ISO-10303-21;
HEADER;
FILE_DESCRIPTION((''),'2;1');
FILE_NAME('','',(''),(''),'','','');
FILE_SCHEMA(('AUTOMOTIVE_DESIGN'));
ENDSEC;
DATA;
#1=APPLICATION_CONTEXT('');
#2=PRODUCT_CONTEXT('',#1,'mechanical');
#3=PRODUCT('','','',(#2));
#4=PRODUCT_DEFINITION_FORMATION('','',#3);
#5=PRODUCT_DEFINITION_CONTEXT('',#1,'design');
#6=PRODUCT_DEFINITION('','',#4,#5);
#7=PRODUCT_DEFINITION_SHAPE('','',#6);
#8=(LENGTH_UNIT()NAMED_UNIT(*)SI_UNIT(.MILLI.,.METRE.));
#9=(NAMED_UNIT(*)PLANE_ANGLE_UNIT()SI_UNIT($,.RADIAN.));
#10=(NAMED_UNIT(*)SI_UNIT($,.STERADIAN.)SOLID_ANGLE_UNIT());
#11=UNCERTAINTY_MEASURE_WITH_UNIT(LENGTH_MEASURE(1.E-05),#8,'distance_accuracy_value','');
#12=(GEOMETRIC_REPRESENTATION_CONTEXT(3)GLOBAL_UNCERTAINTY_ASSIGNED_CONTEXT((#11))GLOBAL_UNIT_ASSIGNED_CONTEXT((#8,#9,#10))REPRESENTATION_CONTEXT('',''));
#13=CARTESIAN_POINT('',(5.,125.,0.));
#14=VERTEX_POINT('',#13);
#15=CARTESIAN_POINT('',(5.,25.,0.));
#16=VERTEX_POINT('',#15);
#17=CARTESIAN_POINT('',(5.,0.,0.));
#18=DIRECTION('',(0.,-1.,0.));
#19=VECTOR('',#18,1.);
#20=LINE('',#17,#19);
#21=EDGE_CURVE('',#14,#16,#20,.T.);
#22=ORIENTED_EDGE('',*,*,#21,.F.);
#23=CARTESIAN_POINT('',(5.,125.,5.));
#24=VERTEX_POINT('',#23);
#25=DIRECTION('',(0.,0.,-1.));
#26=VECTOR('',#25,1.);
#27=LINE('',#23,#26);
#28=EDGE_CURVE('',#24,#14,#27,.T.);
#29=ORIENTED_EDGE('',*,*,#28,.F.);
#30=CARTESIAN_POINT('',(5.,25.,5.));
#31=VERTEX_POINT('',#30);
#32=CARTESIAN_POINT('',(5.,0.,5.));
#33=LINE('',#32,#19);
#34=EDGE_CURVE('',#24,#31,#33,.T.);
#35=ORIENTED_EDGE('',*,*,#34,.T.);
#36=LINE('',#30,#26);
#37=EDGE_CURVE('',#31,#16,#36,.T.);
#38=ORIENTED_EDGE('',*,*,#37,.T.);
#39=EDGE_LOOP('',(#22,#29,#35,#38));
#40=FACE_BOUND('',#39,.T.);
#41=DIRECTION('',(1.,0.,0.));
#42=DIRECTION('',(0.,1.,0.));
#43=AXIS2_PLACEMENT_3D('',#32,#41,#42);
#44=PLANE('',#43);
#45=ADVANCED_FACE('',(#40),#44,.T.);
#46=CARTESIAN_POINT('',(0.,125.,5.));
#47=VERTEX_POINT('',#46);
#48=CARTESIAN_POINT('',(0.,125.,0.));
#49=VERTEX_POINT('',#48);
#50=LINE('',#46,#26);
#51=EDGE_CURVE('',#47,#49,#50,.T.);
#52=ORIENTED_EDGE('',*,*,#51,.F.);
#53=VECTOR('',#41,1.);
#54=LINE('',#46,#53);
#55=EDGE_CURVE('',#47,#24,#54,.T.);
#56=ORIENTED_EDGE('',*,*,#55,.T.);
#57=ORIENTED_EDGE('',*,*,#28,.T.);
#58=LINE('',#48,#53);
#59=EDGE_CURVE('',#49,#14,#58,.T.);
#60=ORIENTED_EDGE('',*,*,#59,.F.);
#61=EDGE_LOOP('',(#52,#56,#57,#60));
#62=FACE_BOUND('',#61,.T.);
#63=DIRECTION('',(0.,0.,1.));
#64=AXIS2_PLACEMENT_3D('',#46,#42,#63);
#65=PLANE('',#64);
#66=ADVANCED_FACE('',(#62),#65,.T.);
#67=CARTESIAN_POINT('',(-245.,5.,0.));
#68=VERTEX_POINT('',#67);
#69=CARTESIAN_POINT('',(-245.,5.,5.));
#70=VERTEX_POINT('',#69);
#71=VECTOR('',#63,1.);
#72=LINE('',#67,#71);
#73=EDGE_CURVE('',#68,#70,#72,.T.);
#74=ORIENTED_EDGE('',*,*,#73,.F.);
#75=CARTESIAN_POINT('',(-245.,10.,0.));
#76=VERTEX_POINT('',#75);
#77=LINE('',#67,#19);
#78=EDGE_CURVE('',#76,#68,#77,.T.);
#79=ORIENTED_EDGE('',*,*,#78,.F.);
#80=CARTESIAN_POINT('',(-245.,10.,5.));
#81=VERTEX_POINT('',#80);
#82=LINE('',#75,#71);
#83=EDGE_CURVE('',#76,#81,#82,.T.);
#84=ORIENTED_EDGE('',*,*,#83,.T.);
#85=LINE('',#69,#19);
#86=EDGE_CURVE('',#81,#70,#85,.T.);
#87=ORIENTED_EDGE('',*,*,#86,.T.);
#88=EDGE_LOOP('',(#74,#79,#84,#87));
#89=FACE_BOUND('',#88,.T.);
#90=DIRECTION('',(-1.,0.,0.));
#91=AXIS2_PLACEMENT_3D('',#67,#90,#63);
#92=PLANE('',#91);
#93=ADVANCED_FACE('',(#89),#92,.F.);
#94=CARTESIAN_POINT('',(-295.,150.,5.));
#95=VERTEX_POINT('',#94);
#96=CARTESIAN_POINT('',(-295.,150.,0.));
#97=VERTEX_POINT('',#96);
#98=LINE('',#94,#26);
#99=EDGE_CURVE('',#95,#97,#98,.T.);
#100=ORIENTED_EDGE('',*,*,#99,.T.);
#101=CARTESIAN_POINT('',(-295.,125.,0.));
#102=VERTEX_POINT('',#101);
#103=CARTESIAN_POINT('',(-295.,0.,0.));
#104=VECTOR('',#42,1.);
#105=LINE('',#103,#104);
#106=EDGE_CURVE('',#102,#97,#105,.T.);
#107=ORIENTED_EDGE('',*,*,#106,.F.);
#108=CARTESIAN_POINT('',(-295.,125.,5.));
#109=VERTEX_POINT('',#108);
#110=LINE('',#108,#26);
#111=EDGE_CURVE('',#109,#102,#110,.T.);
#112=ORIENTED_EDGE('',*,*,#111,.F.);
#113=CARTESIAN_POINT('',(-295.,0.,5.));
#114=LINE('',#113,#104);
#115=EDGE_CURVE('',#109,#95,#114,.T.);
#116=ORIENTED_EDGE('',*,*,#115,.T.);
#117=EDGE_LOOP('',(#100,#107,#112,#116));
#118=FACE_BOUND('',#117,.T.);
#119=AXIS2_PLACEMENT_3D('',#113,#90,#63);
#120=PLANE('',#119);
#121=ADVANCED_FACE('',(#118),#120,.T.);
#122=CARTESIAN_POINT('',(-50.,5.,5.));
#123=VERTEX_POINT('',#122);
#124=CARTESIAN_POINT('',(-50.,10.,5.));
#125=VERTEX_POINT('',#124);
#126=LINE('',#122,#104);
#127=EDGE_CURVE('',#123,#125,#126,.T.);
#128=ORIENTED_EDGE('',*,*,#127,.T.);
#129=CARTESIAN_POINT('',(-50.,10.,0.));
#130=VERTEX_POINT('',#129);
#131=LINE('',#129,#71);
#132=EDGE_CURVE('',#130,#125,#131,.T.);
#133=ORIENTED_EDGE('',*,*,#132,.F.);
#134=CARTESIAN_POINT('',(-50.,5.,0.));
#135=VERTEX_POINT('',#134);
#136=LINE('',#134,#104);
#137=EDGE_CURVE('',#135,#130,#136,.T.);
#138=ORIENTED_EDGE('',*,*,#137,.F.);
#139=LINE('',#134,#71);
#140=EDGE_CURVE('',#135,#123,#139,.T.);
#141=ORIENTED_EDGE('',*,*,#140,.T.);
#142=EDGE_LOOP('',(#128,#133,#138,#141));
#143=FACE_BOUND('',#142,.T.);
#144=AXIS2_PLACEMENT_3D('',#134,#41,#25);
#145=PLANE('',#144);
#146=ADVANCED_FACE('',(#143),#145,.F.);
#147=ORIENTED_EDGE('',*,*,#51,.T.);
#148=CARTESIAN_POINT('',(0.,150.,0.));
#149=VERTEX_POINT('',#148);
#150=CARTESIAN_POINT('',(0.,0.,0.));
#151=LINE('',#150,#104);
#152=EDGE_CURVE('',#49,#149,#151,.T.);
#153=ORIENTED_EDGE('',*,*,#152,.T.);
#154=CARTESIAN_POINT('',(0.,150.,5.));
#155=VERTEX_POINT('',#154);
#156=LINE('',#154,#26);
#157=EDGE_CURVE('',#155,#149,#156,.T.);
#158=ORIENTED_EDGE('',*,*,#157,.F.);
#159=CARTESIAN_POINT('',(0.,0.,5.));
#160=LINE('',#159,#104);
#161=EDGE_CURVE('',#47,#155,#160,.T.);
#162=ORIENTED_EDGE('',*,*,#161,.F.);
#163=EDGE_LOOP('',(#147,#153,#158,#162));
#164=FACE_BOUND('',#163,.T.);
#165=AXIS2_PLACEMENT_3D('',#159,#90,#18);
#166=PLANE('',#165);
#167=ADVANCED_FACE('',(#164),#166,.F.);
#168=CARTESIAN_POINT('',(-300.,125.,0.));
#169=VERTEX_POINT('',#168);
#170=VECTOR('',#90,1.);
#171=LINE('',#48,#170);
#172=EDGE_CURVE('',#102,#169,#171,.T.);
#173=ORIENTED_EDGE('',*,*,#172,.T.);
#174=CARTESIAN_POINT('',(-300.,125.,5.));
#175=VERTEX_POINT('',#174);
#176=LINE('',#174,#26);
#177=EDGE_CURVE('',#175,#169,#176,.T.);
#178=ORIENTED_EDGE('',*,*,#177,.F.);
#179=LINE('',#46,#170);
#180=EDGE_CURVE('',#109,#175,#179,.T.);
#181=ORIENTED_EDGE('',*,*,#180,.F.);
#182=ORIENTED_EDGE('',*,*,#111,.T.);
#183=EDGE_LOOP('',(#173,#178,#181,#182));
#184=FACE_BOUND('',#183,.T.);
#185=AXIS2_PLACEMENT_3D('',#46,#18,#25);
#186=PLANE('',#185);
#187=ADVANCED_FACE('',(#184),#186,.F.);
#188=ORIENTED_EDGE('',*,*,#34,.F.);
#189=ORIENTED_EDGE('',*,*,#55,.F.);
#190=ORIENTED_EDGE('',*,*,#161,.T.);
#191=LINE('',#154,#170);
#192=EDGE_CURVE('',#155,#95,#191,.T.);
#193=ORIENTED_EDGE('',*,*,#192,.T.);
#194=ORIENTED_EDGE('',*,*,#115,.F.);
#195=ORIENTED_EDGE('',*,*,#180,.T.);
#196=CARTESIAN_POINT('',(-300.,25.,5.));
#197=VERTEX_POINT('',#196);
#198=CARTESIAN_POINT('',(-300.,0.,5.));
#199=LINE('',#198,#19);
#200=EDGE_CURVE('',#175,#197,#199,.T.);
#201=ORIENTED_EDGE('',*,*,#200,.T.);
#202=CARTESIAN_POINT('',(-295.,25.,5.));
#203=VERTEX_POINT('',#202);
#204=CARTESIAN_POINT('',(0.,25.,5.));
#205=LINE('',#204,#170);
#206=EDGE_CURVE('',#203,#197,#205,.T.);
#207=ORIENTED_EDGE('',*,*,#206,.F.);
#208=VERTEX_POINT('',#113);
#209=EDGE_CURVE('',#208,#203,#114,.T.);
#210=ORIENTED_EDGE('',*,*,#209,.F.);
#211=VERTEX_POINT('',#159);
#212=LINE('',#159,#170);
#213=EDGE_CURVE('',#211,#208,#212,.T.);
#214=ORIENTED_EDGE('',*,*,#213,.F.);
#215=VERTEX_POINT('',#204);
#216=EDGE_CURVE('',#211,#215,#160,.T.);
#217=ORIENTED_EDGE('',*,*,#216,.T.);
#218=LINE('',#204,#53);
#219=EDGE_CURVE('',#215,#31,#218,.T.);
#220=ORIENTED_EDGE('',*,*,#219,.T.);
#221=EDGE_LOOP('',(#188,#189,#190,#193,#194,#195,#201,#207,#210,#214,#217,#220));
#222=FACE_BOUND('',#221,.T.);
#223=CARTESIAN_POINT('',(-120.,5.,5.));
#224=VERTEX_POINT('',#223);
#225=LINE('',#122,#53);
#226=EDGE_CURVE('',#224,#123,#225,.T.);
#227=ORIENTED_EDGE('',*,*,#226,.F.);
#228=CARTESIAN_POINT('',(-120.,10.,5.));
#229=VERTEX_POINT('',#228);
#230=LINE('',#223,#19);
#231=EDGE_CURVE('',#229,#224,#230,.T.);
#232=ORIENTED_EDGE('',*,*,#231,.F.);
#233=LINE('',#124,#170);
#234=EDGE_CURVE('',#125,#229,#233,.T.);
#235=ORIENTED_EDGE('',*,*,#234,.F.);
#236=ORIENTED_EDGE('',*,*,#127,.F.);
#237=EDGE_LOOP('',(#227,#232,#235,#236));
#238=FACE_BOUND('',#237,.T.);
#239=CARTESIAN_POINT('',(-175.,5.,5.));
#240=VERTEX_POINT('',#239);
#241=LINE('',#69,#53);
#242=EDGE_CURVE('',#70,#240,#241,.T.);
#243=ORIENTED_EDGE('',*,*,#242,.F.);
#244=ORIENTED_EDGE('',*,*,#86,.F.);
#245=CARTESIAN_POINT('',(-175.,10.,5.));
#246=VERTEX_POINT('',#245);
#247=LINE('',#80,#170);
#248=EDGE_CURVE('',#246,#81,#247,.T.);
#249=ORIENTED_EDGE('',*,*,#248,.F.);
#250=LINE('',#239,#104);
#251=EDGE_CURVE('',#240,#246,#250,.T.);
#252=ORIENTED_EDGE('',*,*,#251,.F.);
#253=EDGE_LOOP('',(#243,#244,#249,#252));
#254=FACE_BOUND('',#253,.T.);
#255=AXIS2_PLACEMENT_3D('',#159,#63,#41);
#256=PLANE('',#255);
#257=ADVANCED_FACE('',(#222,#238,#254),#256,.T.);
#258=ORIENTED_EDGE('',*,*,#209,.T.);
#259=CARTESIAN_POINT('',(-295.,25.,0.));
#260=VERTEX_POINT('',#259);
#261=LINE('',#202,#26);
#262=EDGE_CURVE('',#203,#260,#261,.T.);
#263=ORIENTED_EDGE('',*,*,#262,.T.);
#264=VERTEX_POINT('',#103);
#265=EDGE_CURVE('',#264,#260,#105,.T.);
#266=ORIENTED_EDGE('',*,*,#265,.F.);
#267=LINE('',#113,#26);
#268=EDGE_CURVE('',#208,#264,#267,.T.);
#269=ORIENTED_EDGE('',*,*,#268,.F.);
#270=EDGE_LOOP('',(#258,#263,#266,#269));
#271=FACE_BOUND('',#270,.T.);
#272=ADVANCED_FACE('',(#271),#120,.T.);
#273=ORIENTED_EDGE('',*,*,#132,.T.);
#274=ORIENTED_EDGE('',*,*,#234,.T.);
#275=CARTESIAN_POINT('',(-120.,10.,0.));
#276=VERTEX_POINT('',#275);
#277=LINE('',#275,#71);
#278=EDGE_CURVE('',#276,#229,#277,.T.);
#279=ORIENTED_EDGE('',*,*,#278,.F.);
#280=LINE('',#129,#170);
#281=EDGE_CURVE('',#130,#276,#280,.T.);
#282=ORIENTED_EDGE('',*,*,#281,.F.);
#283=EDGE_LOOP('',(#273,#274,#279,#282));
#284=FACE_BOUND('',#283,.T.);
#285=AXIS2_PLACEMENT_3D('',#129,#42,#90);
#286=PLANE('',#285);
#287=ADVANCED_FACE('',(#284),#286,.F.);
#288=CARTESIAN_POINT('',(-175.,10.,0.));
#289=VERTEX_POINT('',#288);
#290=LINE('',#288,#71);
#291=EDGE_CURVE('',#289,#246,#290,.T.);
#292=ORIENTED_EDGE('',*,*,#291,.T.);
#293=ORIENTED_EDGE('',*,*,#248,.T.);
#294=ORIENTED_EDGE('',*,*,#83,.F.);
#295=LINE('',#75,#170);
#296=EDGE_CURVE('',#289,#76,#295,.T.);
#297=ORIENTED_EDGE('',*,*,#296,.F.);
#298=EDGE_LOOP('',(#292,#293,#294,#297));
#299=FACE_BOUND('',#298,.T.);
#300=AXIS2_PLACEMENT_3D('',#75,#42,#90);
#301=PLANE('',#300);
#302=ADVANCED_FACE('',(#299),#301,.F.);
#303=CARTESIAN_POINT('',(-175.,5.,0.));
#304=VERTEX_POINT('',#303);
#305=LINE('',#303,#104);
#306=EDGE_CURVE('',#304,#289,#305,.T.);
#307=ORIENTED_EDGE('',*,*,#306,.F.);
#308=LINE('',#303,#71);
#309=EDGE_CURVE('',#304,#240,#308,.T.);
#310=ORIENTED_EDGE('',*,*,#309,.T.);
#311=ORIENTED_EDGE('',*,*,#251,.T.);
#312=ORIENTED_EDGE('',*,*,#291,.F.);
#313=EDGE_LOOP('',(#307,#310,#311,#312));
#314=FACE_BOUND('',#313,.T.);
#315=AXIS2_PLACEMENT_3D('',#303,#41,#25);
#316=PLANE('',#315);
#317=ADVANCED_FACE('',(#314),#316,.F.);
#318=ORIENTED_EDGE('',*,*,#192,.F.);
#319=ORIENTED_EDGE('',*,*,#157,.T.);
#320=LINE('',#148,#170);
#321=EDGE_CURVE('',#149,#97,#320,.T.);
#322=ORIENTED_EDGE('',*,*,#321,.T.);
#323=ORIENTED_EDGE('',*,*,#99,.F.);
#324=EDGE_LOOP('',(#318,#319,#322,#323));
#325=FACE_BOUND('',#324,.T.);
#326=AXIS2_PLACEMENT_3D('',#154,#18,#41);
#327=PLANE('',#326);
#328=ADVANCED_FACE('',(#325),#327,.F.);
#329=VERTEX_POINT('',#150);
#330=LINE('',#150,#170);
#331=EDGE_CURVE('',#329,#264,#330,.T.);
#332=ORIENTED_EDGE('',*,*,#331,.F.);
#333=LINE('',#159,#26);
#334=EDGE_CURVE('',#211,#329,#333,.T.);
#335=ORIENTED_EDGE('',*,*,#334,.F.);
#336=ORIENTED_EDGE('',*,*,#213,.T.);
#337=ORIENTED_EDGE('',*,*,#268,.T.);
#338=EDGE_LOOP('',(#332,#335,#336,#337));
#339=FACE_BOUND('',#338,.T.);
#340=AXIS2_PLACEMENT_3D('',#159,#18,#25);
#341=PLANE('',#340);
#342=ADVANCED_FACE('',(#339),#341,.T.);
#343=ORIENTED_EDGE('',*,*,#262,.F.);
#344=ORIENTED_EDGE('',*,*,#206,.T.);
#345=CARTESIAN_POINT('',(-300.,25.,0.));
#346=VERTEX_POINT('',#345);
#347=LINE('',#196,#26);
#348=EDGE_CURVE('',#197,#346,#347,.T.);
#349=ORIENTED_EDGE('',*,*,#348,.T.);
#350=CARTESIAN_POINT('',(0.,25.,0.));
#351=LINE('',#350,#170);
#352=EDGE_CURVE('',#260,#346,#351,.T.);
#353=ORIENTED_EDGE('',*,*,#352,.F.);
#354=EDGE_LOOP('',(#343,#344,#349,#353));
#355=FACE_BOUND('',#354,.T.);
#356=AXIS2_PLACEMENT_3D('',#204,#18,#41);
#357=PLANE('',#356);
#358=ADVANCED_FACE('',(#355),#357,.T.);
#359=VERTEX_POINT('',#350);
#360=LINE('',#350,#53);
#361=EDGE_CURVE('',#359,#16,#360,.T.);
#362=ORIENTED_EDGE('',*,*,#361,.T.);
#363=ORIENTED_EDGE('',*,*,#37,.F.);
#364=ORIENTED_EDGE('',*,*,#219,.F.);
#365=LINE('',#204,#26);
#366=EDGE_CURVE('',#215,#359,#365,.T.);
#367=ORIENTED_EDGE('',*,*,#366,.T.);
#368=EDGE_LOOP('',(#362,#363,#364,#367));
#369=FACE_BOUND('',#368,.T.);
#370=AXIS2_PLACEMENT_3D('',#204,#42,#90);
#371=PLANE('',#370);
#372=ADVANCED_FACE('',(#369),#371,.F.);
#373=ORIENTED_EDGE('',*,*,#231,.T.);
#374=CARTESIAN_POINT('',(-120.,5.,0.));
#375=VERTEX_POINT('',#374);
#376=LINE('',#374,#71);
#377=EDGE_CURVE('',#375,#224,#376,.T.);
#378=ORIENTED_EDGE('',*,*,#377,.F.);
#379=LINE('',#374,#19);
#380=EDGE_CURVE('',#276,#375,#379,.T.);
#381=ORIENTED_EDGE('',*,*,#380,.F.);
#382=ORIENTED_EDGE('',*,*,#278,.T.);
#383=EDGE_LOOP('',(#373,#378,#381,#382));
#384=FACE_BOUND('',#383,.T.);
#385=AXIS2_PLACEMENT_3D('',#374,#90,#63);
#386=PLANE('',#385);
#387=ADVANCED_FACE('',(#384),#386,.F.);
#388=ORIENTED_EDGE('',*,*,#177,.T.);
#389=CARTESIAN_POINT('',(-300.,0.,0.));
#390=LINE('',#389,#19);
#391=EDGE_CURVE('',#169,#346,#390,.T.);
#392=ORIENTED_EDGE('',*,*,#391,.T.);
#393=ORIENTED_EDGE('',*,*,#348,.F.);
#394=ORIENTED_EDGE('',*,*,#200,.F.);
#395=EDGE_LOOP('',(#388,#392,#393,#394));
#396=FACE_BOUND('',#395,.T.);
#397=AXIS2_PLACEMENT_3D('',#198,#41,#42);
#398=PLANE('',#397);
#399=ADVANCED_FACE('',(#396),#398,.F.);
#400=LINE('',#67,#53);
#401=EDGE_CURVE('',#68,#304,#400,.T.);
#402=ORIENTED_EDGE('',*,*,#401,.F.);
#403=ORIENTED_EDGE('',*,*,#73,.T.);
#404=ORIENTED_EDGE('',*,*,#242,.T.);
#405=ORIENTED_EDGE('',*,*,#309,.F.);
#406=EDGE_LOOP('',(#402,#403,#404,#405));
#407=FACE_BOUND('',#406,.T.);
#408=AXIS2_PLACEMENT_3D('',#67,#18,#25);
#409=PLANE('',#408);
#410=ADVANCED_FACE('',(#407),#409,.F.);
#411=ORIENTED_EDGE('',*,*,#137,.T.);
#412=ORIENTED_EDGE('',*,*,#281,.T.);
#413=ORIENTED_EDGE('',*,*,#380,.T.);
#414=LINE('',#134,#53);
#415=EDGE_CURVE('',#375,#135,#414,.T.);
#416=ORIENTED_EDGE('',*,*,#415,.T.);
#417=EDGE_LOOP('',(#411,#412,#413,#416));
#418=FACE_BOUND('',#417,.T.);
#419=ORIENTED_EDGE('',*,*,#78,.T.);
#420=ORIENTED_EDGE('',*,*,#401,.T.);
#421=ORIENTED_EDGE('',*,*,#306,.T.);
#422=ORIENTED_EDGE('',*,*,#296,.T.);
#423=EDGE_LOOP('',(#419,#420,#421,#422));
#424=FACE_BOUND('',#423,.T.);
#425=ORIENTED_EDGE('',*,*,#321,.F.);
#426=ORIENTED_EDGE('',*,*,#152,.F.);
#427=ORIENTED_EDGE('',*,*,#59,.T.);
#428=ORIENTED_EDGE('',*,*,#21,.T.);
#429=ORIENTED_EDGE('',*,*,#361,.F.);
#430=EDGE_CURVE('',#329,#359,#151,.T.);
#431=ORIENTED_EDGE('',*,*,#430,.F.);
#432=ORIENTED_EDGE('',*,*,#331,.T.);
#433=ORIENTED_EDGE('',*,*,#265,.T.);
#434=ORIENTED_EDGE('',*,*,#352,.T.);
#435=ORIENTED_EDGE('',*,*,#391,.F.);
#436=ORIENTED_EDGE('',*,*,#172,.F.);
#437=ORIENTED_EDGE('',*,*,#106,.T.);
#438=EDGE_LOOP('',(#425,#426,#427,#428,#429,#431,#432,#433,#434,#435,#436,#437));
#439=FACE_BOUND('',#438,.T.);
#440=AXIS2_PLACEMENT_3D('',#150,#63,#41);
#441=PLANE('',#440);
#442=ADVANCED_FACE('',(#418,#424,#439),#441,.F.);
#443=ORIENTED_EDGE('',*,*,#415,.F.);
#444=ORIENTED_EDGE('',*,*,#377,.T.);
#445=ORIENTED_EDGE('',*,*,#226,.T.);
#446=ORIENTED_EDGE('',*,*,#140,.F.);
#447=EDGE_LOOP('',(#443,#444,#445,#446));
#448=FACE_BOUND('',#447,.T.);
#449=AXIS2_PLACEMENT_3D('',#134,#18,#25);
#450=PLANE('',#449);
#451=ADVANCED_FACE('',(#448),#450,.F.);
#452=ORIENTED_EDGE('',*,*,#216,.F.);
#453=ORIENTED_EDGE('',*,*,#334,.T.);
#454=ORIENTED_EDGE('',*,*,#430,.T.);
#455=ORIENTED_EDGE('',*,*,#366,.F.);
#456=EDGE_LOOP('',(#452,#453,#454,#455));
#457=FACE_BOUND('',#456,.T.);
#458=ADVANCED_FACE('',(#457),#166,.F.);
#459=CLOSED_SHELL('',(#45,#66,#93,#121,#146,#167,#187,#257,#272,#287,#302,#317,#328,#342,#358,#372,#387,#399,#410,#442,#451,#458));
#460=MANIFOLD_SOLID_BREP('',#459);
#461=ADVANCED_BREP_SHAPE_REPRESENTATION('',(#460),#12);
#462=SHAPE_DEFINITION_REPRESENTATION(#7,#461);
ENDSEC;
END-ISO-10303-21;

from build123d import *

# Parameters (mm, degrees)
SKETCH1_W           = 5
SKETCH1_H           = 100
SKETCH1_W_2         = 295
SKETCH1_H_2         = 150
BOSS_EXTRUDE1_DEPTH = 5
SKETCH2_W           = 70
SKETCH2_H           = 5
CUT_EXTRUDE1_DEPTH  = 5


with BuildPart() as part:
    # Sketch1 → Boss-Extrude1 (new body)
    with BuildSketch(Plane.XY):
        with Locations((-297.5, 75)):
            Rectangle(SKETCH1_W, SKETCH1_H)
        with Locations((-147.5, 75)):
            Rectangle(SKETCH1_W_2, SKETCH1_H_2)
        with Locations((2.5, 75)):
            Rectangle(SKETCH1_W, SKETCH1_H)
    extrude(amount=BOSS_EXTRUDE1_DEPTH)

    # Sketch2 → Cut-Extrude1 (cut)
    with BuildSketch(Plane.XY.offset(5)):
        with Locations((-210, 7.5)):
            Rectangle(SKETCH2_W, SKETCH2_H)
        with Locations((-85, 7.5)):
            Rectangle(SKETCH2_W, SKETCH2_H)
    extrude(amount=-CUT_EXTRUDE1_DEPTH, mode=Mode.SUBTRACT)


solid = part.part
